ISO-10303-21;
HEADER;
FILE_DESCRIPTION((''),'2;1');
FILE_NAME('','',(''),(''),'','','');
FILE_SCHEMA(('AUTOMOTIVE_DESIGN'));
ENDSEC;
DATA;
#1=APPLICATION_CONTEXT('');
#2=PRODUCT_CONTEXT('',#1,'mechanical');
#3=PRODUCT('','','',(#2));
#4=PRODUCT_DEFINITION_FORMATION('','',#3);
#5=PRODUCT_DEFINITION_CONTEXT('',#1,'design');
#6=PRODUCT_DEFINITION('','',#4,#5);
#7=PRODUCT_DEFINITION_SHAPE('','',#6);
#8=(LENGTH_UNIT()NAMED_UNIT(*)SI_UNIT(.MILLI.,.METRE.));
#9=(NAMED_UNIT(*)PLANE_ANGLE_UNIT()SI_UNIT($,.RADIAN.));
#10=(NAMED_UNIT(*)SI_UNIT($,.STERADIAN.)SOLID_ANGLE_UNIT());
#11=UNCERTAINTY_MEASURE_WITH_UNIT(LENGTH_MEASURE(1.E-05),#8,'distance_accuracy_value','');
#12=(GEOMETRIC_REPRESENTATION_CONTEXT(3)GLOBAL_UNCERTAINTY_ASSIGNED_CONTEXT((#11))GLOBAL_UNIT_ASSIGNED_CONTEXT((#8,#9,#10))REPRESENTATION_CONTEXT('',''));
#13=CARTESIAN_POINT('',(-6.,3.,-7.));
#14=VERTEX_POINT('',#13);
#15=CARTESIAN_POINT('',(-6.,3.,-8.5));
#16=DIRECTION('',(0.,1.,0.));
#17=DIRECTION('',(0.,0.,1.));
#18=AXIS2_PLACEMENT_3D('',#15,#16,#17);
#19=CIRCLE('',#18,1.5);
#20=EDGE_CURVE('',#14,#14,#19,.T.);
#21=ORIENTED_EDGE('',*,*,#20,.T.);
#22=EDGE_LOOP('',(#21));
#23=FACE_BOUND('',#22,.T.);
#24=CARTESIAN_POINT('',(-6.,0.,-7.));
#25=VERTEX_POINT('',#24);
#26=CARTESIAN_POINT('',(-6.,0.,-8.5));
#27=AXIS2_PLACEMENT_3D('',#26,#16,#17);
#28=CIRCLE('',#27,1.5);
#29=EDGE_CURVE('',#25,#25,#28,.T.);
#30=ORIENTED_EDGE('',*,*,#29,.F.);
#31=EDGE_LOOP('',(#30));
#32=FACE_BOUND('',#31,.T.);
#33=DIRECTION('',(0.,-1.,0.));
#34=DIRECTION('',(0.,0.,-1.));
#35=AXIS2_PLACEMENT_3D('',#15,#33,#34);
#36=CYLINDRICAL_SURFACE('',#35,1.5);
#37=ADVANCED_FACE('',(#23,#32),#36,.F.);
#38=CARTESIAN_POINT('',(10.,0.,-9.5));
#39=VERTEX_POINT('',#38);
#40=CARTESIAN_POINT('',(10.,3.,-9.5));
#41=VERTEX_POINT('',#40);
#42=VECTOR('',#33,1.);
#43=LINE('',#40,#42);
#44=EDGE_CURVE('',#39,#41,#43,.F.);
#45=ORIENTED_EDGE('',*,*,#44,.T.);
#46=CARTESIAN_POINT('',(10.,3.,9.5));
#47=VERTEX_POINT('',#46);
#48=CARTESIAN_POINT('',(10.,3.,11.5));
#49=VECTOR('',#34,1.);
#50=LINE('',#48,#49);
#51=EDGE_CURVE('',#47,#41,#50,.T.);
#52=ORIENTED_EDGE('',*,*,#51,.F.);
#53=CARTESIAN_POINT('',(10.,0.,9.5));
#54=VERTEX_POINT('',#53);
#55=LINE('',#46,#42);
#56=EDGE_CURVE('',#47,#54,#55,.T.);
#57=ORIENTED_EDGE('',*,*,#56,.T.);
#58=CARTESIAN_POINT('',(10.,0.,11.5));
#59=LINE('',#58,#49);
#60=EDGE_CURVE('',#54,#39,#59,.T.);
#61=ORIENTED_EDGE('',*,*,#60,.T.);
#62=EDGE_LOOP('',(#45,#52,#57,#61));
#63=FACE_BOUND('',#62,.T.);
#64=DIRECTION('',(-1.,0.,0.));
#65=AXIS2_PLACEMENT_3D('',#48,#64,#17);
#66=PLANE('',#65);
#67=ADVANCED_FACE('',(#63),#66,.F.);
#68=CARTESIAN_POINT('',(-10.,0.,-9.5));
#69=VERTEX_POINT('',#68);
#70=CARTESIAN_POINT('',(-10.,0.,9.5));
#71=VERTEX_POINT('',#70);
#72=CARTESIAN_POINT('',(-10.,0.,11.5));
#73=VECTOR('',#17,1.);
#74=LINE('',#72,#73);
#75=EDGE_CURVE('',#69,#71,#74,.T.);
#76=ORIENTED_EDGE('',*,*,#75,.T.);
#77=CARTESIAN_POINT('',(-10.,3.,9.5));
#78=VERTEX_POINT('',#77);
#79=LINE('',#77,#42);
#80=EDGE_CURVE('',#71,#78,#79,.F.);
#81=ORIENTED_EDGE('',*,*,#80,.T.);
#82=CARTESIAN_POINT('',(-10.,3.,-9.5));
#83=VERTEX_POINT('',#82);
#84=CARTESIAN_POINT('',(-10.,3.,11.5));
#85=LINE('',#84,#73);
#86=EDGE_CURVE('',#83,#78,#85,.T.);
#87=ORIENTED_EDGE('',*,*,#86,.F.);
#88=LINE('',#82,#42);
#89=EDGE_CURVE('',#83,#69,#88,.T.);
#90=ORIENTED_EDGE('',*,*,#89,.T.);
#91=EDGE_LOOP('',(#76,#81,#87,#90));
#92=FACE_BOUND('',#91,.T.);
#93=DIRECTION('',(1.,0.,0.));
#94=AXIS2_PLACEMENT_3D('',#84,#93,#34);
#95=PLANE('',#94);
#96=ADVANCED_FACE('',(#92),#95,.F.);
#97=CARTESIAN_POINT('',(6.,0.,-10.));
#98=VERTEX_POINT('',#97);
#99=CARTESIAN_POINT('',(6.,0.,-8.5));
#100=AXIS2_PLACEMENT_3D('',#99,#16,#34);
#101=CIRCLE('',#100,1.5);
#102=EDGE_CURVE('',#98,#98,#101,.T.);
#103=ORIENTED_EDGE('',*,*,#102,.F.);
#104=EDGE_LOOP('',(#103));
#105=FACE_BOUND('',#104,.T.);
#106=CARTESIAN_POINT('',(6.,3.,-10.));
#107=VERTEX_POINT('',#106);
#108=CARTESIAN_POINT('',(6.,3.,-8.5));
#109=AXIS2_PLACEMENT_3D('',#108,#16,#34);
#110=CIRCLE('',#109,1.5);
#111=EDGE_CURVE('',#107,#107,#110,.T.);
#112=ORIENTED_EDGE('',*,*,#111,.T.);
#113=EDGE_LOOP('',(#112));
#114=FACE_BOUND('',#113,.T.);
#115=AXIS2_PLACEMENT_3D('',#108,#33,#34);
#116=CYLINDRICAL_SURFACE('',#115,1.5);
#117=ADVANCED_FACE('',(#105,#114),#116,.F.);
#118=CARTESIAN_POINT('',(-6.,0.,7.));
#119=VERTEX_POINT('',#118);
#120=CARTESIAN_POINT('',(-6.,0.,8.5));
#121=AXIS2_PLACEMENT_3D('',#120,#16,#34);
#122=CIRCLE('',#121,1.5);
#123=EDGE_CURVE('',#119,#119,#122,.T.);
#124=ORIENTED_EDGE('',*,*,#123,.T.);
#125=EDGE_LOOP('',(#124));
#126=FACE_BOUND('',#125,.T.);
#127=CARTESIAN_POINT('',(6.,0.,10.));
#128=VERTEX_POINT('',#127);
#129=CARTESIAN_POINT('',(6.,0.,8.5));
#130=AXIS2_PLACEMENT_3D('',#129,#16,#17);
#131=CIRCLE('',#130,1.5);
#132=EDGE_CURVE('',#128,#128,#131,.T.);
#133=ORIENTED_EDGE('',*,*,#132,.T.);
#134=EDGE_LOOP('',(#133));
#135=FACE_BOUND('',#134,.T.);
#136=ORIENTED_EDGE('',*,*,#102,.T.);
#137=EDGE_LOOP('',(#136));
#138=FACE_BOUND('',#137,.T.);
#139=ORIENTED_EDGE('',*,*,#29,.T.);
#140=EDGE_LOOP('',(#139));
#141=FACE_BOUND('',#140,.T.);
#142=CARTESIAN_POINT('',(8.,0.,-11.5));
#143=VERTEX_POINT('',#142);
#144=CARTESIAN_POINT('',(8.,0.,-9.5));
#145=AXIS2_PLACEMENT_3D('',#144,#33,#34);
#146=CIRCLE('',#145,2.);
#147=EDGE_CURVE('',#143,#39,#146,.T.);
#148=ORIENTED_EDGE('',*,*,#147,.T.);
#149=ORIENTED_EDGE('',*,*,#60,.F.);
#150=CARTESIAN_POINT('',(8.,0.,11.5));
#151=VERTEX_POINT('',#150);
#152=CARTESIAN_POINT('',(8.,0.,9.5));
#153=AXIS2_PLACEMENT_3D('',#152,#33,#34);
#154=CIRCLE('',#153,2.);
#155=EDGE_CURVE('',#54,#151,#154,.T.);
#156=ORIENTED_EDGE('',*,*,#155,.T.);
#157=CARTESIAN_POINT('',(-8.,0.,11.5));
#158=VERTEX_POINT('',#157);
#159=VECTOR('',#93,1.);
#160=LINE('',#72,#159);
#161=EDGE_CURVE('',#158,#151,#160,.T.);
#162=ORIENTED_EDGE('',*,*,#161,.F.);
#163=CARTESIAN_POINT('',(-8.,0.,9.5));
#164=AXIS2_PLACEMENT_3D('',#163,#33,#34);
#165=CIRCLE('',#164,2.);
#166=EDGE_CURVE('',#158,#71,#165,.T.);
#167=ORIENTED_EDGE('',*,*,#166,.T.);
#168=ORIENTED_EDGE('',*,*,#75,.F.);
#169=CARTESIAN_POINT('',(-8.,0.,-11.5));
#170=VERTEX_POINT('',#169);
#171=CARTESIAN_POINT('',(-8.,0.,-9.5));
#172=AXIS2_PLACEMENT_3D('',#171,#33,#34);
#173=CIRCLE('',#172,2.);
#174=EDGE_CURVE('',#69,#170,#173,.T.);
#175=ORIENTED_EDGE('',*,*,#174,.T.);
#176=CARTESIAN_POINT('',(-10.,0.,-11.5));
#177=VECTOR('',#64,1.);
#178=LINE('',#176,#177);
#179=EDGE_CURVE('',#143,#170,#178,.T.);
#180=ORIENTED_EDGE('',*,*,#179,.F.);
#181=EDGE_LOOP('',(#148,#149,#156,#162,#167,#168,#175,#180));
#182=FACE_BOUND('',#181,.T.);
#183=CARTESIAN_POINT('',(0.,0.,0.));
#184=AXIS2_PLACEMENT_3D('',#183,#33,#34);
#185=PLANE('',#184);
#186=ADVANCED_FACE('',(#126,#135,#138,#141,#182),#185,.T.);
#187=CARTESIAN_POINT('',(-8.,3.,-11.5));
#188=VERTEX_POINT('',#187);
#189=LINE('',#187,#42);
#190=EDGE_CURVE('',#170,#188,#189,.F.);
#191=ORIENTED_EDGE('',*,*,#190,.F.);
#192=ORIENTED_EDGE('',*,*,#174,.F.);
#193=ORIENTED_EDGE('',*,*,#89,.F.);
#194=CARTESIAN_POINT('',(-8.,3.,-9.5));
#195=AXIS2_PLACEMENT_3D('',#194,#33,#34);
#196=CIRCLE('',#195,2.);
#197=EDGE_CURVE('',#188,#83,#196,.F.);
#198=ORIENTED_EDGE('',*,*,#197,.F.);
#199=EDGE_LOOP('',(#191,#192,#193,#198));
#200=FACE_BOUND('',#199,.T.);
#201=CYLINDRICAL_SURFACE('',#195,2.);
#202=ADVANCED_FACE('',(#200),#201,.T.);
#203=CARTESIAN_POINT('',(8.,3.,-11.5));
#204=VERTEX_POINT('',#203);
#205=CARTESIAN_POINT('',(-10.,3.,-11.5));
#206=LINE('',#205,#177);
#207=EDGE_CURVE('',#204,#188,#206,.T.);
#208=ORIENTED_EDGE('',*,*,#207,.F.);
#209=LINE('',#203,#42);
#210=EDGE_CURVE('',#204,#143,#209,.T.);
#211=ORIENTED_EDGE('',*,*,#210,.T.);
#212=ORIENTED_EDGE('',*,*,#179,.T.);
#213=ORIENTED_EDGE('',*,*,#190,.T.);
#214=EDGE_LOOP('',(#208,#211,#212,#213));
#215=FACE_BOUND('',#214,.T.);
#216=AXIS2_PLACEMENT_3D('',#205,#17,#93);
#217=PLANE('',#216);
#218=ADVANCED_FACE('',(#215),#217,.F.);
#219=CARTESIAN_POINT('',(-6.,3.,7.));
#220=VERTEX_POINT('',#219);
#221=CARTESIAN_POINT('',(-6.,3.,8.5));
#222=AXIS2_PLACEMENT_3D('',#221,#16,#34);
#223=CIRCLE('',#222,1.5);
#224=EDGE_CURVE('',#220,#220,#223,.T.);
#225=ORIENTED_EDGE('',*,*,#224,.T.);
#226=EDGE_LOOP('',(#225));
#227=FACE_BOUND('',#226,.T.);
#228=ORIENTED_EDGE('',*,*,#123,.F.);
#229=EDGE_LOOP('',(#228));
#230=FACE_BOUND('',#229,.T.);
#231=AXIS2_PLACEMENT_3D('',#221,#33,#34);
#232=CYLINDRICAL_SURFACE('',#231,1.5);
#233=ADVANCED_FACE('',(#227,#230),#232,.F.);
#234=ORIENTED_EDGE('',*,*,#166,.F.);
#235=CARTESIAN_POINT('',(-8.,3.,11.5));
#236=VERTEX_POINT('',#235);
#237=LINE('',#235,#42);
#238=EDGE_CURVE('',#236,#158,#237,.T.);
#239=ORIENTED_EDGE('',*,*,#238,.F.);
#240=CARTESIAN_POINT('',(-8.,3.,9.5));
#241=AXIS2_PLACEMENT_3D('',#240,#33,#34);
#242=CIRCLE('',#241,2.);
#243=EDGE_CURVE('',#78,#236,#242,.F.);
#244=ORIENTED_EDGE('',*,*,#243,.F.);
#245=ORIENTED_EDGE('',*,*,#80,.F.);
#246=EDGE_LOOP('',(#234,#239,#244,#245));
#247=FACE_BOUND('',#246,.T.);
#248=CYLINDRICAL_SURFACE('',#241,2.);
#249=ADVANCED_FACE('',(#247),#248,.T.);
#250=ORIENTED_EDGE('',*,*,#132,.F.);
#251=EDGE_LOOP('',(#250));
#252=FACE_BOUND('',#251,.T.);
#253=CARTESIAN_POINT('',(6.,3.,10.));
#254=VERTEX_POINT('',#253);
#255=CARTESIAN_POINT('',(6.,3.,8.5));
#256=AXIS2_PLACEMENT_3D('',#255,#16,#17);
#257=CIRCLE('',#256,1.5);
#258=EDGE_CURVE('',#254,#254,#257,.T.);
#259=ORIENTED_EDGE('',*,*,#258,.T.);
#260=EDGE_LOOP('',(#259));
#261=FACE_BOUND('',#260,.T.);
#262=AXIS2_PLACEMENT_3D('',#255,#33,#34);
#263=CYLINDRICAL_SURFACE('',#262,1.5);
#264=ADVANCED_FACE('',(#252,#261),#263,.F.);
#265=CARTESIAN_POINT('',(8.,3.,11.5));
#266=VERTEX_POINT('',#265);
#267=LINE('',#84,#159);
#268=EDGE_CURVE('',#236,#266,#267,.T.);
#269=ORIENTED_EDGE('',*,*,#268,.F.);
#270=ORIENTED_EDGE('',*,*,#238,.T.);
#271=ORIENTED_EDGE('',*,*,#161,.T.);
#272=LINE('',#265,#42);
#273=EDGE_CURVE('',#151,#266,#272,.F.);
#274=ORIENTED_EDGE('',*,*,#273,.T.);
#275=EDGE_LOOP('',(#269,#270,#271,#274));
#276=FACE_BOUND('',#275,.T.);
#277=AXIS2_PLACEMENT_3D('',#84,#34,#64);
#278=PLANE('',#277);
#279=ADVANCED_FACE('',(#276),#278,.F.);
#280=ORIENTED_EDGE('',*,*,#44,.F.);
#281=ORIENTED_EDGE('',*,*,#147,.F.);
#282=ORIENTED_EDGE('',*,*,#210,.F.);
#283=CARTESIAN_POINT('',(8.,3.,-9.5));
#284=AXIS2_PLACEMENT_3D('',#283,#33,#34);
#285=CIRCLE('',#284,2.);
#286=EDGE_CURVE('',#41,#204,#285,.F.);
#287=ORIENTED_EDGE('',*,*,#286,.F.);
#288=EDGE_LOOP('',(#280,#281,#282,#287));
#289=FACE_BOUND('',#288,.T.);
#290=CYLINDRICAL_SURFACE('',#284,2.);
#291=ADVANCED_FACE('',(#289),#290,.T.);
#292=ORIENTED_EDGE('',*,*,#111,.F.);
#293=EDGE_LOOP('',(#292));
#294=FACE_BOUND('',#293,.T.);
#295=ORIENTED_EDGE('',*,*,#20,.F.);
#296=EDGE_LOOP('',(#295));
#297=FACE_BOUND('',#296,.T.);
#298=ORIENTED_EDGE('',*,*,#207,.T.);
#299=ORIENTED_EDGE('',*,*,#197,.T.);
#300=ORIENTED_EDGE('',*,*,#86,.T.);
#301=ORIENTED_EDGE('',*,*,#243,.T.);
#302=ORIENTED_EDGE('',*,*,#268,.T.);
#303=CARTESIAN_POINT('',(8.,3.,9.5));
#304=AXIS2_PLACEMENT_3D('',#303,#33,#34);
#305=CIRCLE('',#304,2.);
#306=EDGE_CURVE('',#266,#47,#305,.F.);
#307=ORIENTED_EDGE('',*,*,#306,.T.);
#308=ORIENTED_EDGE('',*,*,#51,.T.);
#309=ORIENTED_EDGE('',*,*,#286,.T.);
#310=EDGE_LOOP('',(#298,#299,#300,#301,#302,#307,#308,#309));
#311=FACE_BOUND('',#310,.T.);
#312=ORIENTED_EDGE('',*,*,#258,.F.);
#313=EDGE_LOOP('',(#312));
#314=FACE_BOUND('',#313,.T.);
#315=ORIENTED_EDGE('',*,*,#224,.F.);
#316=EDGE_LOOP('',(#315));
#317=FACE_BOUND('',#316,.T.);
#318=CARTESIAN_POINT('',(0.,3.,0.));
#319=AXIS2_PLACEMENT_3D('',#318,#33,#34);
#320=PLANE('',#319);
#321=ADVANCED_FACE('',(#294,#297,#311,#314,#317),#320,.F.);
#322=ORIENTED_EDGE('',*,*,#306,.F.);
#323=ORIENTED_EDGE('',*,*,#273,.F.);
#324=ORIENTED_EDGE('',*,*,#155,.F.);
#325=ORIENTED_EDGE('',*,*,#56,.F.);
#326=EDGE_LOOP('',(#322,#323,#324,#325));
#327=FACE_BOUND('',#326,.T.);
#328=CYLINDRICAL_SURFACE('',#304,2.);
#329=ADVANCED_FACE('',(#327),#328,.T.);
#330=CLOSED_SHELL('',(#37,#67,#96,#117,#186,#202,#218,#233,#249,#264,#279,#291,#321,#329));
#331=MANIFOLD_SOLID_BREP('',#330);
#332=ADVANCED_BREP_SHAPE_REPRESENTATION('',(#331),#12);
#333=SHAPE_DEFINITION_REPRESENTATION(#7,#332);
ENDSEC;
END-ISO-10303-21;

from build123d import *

# Parameters (mm, degrees)
SKETCH_1_W      = 20
SKETCH_1_H      = 23
SKETCH_1_R      = 1.5
EXTRUDE_1_DEPTH = 3
FILLET_1_R      = 2


with BuildPart() as part:
    # 草图1 → 凸台-拉伸1 (new body)
    with BuildSketch(Plane(origin=(0, 0, 0), x_dir=(1, 0, 0), z_dir=(0, 1, 0))):
        Rectangle(SKETCH_1_W, SKETCH_1_H)
        with Locations(Location((-6, 8.5, 0), (0, 0, 270))):
            Circle(SKETCH_1_R, mode=Mode.SUBTRACT)
        with Locations(Location((6, 8.5, 0), (0, 0, 90))):
            Circle(SKETCH_1_R, mode=Mode.SUBTRACT)
        with Locations(Location((6, -8.5, 0), (0, 0, 270))):
            Circle(SKETCH_1_R, mode=Mode.SUBTRACT)
        with Locations(Location((-6, -8.5, 0), (0, 0, 90))):
            Circle(SKETCH_1_R, mode=Mode.SUBTRACT)
    extrude(amount=EXTRUDE_1_DEPTH)

    # 圆角1
    fillet_1_edges = [part.edges().sort_by_distance(p)[0] for p in [
        (10, 1.5, 11.5),
        (-10, 1.5, 11.5),
        (-10, 1.5, -11.5),
        (10, 1.5, -11.5),
    ]]
    fillet(fillet_1_edges, radius=FILLET_1_R)


solid = part.part
